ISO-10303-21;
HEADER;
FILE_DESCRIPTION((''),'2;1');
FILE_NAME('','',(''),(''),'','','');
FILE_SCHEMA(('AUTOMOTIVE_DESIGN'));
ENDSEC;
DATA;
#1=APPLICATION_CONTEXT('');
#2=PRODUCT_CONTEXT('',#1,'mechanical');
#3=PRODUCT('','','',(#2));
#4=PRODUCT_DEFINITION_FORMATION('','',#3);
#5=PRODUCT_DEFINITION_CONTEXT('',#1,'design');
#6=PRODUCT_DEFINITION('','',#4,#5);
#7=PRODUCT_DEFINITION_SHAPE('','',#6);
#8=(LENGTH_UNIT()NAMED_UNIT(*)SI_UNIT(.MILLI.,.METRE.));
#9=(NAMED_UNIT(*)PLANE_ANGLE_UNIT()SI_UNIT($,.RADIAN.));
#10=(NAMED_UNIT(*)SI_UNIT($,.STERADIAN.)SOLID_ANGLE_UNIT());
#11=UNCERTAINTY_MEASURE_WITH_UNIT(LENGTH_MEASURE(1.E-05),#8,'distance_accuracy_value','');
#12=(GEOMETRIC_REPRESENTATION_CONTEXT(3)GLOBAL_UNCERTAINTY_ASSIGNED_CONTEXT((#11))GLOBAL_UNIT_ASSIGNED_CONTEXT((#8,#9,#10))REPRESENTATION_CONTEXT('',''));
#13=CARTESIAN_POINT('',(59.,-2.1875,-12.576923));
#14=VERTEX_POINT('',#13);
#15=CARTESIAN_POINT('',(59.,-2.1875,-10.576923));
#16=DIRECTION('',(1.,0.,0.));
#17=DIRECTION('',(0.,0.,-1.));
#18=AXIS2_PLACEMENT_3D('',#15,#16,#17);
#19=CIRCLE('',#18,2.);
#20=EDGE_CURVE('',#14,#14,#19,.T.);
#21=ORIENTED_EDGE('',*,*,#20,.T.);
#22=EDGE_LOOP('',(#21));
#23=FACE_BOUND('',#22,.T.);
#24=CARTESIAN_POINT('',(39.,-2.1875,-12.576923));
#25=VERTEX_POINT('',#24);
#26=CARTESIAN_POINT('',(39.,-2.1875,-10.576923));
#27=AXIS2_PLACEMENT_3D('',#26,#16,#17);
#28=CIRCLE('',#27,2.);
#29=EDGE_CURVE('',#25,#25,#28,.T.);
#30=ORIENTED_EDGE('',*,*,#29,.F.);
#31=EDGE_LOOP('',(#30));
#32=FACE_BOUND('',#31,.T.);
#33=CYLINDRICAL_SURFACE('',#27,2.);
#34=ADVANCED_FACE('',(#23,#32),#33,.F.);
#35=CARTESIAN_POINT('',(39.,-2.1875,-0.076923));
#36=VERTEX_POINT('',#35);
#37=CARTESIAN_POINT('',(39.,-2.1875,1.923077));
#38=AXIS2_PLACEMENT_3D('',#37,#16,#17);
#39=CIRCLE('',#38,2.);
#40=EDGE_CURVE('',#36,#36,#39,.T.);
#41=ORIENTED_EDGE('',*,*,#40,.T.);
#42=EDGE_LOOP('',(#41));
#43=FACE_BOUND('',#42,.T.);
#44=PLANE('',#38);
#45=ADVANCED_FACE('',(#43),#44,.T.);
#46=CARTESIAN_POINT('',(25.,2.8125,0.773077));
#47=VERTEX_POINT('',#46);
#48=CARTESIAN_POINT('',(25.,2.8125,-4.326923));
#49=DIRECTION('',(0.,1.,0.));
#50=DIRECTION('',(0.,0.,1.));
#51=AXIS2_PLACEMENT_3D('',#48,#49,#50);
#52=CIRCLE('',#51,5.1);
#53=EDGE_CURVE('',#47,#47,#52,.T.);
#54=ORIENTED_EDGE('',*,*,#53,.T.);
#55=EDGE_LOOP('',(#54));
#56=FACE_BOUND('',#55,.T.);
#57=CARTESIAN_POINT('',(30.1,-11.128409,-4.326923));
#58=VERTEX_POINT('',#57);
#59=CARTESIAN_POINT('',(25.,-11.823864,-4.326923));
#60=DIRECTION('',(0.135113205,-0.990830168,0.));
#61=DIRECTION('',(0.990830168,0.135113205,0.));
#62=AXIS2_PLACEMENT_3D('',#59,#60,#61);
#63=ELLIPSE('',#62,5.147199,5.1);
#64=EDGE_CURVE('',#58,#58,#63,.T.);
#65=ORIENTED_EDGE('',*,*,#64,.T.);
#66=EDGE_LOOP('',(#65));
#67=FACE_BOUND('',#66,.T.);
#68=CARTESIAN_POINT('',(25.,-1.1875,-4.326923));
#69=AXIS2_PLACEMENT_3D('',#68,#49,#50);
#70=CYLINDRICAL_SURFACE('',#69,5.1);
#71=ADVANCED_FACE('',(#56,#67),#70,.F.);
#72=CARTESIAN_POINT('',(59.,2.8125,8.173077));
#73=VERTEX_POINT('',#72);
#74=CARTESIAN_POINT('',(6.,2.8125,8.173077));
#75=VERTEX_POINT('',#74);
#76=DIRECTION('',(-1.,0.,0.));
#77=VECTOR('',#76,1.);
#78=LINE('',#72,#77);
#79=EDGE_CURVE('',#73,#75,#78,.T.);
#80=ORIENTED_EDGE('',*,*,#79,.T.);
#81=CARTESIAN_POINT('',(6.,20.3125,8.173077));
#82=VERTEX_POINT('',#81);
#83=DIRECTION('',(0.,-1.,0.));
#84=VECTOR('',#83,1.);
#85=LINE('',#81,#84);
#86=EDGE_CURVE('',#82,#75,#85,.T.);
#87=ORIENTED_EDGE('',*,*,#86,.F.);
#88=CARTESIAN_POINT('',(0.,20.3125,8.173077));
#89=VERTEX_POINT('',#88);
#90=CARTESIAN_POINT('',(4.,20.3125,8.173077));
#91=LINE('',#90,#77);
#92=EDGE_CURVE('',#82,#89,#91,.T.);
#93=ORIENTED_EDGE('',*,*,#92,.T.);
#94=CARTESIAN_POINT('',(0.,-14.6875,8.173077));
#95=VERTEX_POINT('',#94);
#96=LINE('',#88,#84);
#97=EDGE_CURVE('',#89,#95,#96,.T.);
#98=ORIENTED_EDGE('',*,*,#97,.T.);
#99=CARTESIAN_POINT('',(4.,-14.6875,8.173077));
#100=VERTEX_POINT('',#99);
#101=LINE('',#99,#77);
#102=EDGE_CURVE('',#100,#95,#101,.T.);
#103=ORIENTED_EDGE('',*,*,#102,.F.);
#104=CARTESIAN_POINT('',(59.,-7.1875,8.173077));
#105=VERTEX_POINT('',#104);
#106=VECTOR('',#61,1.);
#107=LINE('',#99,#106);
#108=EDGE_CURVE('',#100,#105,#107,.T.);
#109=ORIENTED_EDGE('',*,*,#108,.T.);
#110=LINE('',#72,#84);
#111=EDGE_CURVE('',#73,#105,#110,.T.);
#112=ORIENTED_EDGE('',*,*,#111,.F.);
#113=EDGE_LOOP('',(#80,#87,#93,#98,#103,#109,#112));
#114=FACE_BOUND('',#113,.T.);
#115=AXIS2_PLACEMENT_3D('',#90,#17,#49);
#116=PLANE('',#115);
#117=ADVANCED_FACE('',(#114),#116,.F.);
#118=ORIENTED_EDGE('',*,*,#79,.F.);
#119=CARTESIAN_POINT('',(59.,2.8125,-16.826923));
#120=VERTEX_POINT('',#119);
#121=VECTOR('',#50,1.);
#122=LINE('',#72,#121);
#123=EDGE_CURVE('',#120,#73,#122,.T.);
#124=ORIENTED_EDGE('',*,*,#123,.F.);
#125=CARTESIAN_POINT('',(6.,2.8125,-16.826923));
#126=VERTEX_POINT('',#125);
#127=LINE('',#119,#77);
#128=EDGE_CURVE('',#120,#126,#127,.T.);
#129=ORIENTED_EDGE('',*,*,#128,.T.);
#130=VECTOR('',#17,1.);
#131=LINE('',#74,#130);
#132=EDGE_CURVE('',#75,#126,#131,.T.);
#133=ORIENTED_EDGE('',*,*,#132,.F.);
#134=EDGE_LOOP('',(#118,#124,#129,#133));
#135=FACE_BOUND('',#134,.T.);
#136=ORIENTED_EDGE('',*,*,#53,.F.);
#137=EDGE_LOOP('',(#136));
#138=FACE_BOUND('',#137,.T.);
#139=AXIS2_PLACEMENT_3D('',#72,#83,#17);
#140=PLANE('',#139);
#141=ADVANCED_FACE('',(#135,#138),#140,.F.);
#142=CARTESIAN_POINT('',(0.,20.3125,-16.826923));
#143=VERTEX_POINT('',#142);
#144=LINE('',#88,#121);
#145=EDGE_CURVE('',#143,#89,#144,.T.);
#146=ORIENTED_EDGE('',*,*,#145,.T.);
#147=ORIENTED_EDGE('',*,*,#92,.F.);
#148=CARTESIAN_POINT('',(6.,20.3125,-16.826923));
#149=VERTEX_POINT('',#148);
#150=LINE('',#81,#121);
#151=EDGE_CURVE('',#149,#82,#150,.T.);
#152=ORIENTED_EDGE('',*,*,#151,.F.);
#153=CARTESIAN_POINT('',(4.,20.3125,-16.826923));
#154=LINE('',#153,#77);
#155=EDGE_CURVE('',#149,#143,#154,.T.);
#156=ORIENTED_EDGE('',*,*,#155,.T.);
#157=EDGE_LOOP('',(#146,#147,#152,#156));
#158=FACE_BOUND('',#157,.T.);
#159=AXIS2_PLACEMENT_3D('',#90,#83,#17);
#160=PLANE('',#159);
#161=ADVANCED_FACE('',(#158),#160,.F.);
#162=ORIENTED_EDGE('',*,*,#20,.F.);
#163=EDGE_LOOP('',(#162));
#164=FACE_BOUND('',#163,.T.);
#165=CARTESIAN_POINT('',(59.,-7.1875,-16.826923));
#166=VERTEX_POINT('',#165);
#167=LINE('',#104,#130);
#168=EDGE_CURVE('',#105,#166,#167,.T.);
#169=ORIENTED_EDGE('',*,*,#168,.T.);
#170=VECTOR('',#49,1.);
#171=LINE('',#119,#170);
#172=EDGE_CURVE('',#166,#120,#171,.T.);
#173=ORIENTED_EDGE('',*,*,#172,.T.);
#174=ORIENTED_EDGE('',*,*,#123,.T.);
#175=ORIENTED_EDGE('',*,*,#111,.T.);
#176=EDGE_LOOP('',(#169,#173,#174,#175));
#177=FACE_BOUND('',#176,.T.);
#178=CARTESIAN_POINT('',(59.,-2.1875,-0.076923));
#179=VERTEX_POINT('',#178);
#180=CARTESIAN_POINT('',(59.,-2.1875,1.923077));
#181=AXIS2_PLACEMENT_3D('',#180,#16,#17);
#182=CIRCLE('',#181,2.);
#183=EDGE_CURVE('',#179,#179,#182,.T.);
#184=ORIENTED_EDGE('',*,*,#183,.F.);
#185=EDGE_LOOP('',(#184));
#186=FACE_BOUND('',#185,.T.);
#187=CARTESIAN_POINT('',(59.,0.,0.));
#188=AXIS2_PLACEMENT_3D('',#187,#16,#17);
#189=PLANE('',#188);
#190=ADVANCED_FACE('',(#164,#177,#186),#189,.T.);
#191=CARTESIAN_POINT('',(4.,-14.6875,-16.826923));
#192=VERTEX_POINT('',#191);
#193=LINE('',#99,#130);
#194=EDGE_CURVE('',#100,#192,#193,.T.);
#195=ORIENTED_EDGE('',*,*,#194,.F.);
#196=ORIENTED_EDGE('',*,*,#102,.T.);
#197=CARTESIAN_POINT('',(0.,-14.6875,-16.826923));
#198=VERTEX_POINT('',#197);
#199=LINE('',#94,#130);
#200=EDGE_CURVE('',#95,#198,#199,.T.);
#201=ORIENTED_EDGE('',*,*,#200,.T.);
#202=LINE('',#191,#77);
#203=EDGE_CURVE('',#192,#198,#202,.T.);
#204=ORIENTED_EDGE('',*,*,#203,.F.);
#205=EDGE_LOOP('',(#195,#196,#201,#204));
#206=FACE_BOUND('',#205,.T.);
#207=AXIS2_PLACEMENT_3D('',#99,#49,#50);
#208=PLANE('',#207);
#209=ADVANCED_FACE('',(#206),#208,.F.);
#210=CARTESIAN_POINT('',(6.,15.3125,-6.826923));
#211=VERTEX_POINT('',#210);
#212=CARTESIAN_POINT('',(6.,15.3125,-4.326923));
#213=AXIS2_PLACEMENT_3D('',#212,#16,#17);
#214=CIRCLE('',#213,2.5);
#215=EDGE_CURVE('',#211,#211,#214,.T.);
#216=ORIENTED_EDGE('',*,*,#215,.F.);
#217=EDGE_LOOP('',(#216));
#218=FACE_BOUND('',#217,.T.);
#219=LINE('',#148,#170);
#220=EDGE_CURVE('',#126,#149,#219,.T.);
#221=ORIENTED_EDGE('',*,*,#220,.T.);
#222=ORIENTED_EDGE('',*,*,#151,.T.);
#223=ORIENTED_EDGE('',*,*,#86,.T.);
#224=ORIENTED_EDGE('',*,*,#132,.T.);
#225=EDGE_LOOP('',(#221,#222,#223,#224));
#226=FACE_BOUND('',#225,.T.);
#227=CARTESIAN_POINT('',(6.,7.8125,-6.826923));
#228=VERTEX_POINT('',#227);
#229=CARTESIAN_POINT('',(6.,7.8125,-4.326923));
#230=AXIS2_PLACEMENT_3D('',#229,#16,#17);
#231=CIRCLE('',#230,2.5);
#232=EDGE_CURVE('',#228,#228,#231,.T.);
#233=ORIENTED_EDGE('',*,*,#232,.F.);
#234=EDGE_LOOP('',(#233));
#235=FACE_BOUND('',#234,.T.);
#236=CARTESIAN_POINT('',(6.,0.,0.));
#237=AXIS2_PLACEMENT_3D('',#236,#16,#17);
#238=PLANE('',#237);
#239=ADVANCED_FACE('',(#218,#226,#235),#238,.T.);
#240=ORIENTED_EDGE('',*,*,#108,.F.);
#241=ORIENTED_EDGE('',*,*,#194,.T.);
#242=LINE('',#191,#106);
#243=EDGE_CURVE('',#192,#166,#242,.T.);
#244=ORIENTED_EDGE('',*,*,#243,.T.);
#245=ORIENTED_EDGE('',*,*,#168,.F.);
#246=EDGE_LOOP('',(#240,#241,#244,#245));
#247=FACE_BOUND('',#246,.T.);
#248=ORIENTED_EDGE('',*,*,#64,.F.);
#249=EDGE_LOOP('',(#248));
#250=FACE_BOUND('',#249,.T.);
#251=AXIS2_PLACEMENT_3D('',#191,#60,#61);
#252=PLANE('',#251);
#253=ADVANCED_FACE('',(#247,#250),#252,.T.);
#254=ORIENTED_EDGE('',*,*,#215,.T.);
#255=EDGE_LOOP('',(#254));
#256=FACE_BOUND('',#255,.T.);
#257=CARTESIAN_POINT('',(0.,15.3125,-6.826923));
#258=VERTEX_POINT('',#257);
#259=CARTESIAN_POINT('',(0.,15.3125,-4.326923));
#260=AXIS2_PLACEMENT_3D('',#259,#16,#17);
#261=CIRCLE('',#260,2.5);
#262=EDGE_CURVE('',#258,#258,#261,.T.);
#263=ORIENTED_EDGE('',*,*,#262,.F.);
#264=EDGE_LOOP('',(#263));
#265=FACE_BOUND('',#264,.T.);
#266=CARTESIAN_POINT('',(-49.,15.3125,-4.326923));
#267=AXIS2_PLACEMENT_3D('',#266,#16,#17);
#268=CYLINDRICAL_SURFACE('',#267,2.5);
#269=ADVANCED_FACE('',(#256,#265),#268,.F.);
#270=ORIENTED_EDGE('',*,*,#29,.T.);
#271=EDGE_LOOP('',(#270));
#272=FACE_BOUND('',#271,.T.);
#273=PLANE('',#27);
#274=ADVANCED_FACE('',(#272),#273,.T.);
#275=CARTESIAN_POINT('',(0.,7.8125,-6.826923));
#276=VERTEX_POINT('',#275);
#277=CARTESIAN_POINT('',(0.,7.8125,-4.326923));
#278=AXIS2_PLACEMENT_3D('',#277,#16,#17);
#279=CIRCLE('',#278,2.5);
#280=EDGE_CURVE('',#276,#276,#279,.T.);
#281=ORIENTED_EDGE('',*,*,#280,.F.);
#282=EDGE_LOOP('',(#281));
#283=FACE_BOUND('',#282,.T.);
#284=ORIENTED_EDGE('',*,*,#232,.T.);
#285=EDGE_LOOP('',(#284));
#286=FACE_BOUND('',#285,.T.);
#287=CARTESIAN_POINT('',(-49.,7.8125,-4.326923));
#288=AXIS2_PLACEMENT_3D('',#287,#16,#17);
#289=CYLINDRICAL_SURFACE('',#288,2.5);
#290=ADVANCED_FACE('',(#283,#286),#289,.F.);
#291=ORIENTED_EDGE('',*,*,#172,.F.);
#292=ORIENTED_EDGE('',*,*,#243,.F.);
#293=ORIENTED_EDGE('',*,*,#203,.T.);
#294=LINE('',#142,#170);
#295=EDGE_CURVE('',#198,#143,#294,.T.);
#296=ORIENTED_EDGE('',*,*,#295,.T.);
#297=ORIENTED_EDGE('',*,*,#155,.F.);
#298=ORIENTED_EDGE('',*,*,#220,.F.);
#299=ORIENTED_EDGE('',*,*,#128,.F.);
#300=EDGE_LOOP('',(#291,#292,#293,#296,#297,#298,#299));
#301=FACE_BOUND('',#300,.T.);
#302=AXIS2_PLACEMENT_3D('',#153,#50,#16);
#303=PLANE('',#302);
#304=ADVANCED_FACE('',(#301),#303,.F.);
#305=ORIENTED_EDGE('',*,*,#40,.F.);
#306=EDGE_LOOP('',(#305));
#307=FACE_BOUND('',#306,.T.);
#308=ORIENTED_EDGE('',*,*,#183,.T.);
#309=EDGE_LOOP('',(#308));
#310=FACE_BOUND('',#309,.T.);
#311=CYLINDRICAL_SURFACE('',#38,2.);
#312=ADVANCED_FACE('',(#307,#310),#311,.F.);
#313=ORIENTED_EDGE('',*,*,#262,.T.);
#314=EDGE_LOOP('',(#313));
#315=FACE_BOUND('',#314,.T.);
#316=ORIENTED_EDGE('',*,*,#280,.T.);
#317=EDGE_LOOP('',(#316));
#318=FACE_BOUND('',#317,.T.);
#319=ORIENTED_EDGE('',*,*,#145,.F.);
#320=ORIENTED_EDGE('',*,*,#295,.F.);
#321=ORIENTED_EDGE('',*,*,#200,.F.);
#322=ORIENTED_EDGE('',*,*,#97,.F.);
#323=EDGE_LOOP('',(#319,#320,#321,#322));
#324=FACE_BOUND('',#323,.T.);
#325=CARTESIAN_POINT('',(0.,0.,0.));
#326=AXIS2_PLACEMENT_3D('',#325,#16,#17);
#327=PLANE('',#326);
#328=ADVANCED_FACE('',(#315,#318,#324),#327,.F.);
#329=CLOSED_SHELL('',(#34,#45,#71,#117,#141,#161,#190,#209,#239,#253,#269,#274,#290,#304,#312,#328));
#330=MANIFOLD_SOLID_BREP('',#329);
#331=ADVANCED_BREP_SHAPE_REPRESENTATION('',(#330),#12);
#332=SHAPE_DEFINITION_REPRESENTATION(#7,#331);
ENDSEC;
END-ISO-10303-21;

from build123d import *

# Parameters (mm, degrees)
CROQUIS3_W              = 25
CROQUIS3_H              = 35
SALIENTE_EXTRUIR2_DEPTH = 4
CROQUIS5_W              = 25
CROQUIS5_H              = 17.5
SALIENTE_EXTRUIR3_DEPTH = 2
CROQUIS7_W              = 25
CROQUIS7_H              = 10
SALIENTE_EXTRUIR5_DEPTH = 55
CROQUIS8_R              = 2.5
CORTAR_EXTRUIR1_DEPTH   = 55
SALIENTE_EXTRUIR6_DEPTH = 25
CROQUIS9_R              = 5.1
CORTAR_EXTRUIR3_DEPTH   = 4
CROQUIS11_R             = 2
CORTAR_EXTRUIR4_DEPTH   = 20
CROQUIS12_R             = 5.1
CORTAR_EXTRUIR5_DEPTH   = 45


with BuildPart() as part:
    # Croquis3 → Saliente-Extruir2 (new body)
    with BuildSketch(Plane(origin=(0, 0, 0), x_dir=(0, 0, -1), z_dir=(1, 0, 0))):
        with Locations((4.326923077, 2.8125)):
            Rectangle(CROQUIS3_W, CROQUIS3_H)
    extrude(amount=SALIENTE_EXTRUIR2_DEPTH)

    # Croquis5 → Saliente-Extruir3 (add)
    with BuildSketch(Plane(origin=(4, 0, 0), x_dir=(0, 0, -1), z_dir=(1, 0, 0))):
        with Locations((4.326923077, 11.5625)):
            Rectangle(CROQUIS5_W, CROQUIS5_H)
    extrude(amount=SALIENTE_EXTRUIR3_DEPTH)

    # Croquis7 → Saliente-Extruir5 (add)
    with BuildSketch(Plane(origin=(4, 0, 0), x_dir=(0, 0, -1), z_dir=(1, 0, 0))):
        with Locations((4.326923077, -2.1875)):
            Rectangle(CROQUIS7_W, CROQUIS7_H)
    extrude(amount=SALIENTE_EXTRUIR5_DEPTH)

    # Croquis8 → Cortar-Extruir1 (cut)
    with BuildSketch(Plane(origin=(6, 0, 0), x_dir=(0, 0, -1), z_dir=(1, 0, 0))):
        with Locations((4.326923077, 15.3125)):
            Circle(CROQUIS8_R)
        with Locations((4.326923077, 7.8125)):
            Circle(CROQUIS8_R)
    extrude(amount=-CORTAR_EXTRUIR1_DEPTH, mode=Mode.SUBTRACT)

    # Croquis10 → Saliente-Extruir6 (add, through all)
    with BuildSketch(Plane.XY.offset(8.173076923)):
        Polygon((4, -14.6875), (59, -7.1875), (4, -7.1875), align=None)
    extrude(amount=-SALIENTE_EXTRUIR6_DEPTH)

    # Croquis9 → Cortar-Extruir3 (cut)
    with BuildSketch(Plane(origin=(0, 2.8125, 0), x_dir=(1, 0, 0), z_dir=(0, 1, 0))):
        with Locations(Location((25, 4.326923077, 0), (0, 0, 270))):
            Circle(CROQUIS9_R)
    extrude(amount=-CORTAR_EXTRUIR3_DEPTH, mode=Mode.SUBTRACT)

    # Croquis11 → Cortar-Extruir4 (cut)
    with BuildSketch(Plane(origin=(59, 0, 0), x_dir=(0, 0, -1), z_dir=(1, 0, 0))):
        with Locations((-1.923076923, -2.1875)):
            Circle(CROQUIS11_R)
        with Locations((10.576923077, -2.1875)):
            Circle(CROQUIS11_R)
    extrude(amount=-CORTAR_EXTRUIR4_DEPTH, mode=Mode.SUBTRACT)

    # Croquis12 → Cortar-Extruir5 (cut)
    with BuildSketch(Plane(origin=(0, -1.1875, 0), x_dir=(1, 0, 0), z_dir=(0, 1, 0))):
        with Locations(Location((25, 4.326923077, 0), (0, 0, 270))):
            Circle(CROQUIS12_R)
    extrude(amount=-CORTAR_EXTRUIR5_DEPTH, mode=Mode.SUBTRACT)


solid = part.part
